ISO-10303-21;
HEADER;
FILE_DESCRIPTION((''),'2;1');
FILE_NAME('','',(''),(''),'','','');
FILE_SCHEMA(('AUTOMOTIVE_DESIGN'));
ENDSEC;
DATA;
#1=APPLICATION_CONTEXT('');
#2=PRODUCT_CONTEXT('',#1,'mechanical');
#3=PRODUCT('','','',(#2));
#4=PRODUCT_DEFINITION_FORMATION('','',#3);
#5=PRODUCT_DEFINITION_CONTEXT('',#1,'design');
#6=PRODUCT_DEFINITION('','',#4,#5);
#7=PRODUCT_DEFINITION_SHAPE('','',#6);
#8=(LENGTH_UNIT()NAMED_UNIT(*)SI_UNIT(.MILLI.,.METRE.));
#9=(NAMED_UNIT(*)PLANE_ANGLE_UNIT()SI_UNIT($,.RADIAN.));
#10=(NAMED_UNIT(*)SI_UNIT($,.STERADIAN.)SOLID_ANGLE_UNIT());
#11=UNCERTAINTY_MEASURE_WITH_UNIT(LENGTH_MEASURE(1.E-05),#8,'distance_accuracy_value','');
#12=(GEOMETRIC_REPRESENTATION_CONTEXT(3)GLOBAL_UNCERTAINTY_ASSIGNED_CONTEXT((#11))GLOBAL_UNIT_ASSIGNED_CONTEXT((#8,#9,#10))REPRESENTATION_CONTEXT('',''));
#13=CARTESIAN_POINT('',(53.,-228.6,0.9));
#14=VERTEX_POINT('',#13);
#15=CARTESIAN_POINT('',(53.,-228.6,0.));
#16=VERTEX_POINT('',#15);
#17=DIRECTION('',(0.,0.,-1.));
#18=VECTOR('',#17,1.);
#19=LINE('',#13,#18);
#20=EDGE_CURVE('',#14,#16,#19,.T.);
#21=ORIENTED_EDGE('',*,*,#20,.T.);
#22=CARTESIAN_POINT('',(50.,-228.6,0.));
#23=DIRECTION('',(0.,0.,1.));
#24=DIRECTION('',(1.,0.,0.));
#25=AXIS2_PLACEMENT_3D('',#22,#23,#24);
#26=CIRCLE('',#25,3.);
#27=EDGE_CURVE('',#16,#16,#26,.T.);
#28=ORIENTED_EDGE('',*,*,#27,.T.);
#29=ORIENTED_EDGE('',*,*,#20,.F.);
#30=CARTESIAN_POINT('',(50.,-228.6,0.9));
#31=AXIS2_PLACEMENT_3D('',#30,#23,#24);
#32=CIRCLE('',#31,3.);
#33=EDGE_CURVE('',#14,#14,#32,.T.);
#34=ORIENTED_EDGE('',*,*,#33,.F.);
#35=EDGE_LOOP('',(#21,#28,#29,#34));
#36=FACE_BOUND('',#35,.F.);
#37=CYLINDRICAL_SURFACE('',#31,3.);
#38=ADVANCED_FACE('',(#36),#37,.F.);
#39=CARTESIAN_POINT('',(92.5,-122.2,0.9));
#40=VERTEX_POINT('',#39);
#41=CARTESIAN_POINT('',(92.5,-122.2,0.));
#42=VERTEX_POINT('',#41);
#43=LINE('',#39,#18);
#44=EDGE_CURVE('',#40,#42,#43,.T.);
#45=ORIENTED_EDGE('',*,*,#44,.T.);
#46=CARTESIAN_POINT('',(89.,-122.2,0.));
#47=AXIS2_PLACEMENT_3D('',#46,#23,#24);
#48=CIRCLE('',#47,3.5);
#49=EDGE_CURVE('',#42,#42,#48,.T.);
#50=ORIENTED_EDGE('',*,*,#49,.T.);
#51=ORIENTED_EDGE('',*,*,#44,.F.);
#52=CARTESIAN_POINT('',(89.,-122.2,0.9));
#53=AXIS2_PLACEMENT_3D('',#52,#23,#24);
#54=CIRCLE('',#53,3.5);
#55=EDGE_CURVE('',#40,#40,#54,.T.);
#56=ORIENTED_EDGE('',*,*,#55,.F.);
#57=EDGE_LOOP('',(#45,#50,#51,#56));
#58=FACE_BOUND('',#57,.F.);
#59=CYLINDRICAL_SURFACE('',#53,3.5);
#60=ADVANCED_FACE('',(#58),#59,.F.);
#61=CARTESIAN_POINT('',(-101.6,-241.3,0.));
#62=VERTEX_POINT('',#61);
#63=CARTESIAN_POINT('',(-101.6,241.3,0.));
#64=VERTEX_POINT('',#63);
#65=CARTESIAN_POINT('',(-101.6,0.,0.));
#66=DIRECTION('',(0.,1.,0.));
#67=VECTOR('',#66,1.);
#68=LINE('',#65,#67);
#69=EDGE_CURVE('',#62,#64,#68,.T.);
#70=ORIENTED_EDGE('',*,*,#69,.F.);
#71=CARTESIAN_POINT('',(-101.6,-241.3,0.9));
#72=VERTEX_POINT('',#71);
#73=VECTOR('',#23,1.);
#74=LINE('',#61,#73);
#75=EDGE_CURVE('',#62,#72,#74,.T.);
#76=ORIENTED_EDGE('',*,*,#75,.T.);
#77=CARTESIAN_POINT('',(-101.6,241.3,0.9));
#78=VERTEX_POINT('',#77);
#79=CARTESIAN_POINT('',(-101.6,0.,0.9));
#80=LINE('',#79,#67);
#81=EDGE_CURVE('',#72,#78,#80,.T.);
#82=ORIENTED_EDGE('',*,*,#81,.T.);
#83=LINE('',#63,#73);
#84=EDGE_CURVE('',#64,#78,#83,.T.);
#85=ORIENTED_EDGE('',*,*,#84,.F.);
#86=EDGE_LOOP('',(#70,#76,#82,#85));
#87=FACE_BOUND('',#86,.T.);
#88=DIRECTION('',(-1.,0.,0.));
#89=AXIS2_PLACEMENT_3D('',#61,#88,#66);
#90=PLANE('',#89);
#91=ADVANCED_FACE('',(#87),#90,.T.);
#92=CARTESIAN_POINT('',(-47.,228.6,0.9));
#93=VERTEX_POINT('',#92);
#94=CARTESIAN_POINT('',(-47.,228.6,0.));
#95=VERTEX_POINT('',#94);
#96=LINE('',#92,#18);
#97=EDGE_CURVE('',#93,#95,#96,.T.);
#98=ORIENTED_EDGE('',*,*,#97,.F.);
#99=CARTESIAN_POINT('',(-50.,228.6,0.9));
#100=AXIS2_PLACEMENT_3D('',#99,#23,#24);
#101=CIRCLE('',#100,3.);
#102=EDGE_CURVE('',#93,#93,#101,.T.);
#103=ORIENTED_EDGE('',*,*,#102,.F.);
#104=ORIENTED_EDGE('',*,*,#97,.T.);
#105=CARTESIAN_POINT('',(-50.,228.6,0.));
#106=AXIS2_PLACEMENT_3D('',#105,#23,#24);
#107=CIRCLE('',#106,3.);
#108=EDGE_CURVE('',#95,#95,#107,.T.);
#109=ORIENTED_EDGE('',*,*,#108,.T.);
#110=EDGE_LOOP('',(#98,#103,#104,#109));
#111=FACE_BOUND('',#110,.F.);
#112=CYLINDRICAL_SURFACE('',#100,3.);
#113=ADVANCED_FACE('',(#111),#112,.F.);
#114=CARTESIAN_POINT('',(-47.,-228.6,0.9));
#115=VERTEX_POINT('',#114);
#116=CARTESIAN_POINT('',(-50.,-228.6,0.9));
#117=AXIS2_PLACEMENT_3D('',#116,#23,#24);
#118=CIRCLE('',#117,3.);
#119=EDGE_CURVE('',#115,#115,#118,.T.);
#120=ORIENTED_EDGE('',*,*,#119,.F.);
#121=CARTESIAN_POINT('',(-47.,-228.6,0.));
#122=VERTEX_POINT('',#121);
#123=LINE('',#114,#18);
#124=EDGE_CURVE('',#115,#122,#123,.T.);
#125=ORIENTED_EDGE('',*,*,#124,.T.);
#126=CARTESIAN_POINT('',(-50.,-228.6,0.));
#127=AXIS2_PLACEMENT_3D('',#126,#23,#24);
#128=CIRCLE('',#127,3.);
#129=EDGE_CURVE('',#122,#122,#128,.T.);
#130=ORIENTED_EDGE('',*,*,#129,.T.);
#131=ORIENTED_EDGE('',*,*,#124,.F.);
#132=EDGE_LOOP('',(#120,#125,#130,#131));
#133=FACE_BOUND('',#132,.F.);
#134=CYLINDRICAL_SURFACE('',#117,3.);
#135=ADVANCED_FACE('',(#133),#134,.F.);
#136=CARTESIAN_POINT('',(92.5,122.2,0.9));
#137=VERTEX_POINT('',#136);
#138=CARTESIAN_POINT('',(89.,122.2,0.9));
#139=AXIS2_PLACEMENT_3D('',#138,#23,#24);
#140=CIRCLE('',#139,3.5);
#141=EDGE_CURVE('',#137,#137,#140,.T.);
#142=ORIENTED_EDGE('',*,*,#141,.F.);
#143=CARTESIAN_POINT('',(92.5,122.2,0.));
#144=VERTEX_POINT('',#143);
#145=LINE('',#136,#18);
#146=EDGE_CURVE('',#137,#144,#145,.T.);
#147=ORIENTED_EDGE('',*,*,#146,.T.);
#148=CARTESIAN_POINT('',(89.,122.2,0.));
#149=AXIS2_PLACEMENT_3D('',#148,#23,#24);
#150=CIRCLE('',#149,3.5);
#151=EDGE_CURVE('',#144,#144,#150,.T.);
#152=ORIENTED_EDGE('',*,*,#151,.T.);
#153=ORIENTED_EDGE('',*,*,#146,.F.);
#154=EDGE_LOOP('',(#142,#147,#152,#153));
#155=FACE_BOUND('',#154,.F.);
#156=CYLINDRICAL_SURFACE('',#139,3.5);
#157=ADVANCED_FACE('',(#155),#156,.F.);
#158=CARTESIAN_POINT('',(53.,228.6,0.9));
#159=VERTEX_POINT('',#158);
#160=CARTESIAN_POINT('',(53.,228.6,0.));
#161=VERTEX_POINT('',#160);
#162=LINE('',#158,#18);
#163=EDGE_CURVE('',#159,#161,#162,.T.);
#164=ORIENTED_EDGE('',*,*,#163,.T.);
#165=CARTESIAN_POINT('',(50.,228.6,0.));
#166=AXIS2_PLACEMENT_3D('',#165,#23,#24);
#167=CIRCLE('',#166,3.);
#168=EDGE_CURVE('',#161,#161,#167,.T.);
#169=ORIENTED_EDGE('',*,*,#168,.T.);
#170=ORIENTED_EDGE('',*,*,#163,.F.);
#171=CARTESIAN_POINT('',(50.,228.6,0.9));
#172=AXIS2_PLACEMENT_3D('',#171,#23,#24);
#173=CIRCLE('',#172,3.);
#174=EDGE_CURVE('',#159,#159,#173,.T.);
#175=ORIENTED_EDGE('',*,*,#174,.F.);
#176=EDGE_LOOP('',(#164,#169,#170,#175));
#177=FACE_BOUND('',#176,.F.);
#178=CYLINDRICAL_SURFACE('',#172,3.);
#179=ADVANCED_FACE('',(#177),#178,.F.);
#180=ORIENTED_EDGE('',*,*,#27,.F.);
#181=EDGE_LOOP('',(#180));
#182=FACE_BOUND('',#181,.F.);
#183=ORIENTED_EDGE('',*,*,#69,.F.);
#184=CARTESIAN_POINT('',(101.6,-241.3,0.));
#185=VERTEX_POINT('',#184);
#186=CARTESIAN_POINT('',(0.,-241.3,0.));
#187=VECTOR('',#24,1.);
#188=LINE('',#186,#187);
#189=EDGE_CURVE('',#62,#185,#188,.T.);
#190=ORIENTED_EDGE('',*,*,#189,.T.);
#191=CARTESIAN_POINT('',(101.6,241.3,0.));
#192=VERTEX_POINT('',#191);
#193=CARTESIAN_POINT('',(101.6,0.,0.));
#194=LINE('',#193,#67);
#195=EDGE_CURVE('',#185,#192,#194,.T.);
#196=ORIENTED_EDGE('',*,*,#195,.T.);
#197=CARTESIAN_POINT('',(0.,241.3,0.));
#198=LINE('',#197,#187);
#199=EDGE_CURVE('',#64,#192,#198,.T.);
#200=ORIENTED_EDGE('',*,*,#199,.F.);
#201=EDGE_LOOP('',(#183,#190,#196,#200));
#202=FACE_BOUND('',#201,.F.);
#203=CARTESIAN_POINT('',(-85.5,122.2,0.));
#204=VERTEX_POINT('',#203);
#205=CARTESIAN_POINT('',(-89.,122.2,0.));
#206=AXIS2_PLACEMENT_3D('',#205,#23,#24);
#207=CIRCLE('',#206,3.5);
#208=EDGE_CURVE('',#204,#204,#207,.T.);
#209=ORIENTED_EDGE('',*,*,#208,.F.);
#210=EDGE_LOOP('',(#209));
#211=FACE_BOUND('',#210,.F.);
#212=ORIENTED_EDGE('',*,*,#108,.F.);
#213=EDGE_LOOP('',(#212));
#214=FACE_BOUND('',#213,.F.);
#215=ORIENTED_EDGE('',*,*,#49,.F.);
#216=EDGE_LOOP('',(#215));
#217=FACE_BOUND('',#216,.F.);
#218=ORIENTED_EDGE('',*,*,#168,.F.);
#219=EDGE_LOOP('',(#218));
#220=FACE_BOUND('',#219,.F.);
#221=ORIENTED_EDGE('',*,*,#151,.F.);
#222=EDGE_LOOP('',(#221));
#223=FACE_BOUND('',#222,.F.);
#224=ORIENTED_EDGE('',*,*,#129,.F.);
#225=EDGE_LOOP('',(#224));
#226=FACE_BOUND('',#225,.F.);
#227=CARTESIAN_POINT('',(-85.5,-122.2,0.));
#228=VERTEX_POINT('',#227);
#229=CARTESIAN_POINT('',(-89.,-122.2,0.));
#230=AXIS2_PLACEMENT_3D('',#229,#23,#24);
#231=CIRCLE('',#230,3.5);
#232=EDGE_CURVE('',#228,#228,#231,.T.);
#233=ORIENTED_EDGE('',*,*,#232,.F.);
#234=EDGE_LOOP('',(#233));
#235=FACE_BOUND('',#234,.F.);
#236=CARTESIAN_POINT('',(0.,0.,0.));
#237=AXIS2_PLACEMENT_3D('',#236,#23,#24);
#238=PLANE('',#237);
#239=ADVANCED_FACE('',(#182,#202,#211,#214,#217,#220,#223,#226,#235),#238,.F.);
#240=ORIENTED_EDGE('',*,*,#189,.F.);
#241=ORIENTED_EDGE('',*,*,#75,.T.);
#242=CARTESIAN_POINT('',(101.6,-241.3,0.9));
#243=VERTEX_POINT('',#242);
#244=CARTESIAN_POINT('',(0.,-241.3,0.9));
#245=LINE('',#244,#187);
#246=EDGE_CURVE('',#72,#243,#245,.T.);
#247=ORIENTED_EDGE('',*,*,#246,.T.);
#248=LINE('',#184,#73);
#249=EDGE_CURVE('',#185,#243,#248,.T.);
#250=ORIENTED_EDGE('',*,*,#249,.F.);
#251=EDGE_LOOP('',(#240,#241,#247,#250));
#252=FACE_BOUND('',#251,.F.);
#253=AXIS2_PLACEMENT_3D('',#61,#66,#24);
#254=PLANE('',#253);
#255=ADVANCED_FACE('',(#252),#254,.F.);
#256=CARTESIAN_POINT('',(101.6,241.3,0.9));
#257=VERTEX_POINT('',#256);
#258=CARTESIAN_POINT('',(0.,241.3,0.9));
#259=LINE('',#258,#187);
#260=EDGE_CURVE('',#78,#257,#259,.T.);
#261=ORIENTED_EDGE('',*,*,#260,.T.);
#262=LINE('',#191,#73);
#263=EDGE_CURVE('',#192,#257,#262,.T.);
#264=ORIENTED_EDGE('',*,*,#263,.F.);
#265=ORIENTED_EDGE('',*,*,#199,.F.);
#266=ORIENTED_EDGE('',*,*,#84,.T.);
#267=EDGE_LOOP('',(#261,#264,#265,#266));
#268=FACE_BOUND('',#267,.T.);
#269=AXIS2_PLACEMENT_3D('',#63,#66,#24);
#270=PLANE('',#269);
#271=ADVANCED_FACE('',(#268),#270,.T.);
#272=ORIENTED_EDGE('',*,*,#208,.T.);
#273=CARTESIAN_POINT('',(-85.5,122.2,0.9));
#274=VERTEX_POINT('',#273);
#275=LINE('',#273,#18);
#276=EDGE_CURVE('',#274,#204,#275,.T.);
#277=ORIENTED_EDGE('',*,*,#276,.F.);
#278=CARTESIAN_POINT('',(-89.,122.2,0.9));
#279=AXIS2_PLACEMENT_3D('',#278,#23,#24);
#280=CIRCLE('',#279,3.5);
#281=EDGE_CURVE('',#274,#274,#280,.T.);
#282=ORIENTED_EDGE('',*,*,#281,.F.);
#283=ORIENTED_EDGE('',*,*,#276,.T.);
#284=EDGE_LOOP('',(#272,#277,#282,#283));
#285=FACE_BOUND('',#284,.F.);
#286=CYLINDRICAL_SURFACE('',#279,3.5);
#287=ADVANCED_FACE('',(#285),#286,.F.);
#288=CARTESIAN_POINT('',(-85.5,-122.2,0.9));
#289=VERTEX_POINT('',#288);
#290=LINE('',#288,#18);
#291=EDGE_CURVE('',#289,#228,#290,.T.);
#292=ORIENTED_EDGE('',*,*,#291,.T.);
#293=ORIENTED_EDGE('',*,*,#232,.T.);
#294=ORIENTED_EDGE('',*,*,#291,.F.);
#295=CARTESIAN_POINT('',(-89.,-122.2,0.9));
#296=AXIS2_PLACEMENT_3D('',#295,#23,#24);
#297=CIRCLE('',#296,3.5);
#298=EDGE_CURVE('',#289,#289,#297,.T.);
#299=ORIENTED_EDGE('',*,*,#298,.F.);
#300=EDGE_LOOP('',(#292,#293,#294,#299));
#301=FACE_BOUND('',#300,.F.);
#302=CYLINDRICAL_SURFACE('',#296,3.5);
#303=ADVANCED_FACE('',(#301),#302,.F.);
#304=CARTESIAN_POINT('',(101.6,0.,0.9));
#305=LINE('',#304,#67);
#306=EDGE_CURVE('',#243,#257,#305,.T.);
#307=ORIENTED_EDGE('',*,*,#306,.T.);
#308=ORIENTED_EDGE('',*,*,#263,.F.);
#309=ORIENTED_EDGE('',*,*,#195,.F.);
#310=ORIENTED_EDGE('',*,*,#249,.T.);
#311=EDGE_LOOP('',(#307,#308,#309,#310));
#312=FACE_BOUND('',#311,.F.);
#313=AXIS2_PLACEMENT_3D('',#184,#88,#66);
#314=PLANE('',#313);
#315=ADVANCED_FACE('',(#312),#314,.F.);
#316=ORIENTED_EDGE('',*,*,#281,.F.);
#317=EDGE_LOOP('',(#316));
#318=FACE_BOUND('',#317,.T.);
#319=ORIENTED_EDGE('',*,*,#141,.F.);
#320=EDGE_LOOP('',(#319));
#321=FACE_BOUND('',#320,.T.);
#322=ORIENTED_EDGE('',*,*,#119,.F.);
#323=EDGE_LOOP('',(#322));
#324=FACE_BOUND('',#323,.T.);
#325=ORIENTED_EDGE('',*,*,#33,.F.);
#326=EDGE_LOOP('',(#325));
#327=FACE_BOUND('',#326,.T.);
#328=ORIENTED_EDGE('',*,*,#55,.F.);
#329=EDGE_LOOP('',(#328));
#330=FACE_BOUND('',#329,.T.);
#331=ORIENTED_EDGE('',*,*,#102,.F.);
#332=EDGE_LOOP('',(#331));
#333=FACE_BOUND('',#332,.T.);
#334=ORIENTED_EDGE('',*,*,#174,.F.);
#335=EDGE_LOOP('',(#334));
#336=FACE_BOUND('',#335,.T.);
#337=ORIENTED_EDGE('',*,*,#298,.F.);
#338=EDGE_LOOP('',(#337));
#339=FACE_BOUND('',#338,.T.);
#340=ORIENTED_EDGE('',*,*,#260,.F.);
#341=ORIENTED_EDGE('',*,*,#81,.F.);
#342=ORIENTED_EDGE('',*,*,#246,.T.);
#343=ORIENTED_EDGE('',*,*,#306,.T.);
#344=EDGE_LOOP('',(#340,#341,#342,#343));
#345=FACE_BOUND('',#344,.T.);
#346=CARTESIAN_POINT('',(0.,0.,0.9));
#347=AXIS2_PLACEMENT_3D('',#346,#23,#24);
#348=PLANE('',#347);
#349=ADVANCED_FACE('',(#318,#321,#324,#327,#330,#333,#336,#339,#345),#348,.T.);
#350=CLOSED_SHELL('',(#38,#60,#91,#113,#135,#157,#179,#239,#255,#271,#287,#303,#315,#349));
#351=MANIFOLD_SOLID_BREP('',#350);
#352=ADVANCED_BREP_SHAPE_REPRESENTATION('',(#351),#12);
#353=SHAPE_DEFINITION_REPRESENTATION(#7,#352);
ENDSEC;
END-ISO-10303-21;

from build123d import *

# Parameters (mm, degrees)
SKETCH_1_W          = 203.2
SKETCH_1_H          = 482.6
EXTRUDE_1_DEPTH     = 0.9
SKETCH_2_R          = 3.5
SKETCH_2_R_2        = 3
CUT_EXTRUDE_1_DEPTH = 10


with BuildPart() as part:
    # 草图1 → 凸台-拉伸1 (new body)
    with BuildSketch(Plane.XY):
        Rectangle(SKETCH_1_W, SKETCH_1_H)
    extrude(amount=EXTRUDE_1_DEPTH)

    # 草图2 → 切除-拉伸1 (cut)
    with BuildSketch(Plane.XY.offset(0.9)):
        with Locations((-89, 122.2)):
            Circle(SKETCH_2_R)
        with Locations((89, 122.2)):
            Circle(SKETCH_2_R)
        with Locations((89, -122.2)):
            Circle(SKETCH_2_R)
        with Locations((-89, -122.2)):
            Circle(SKETCH_2_R)
        with Locations((50, 228.6)):
            Circle(SKETCH_2_R_2)
        with Locations((50, -228.6)):
            Circle(SKETCH_2_R_2)
        with Locations((-50, 228.6)):
            Circle(SKETCH_2_R_2)
        with Locations((-50, -228.6)):
            Circle(SKETCH_2_R_2)
    extrude(amount=-CUT_EXTRUDE_1_DEPTH, mode=Mode.SUBTRACT)


solid = part.part
